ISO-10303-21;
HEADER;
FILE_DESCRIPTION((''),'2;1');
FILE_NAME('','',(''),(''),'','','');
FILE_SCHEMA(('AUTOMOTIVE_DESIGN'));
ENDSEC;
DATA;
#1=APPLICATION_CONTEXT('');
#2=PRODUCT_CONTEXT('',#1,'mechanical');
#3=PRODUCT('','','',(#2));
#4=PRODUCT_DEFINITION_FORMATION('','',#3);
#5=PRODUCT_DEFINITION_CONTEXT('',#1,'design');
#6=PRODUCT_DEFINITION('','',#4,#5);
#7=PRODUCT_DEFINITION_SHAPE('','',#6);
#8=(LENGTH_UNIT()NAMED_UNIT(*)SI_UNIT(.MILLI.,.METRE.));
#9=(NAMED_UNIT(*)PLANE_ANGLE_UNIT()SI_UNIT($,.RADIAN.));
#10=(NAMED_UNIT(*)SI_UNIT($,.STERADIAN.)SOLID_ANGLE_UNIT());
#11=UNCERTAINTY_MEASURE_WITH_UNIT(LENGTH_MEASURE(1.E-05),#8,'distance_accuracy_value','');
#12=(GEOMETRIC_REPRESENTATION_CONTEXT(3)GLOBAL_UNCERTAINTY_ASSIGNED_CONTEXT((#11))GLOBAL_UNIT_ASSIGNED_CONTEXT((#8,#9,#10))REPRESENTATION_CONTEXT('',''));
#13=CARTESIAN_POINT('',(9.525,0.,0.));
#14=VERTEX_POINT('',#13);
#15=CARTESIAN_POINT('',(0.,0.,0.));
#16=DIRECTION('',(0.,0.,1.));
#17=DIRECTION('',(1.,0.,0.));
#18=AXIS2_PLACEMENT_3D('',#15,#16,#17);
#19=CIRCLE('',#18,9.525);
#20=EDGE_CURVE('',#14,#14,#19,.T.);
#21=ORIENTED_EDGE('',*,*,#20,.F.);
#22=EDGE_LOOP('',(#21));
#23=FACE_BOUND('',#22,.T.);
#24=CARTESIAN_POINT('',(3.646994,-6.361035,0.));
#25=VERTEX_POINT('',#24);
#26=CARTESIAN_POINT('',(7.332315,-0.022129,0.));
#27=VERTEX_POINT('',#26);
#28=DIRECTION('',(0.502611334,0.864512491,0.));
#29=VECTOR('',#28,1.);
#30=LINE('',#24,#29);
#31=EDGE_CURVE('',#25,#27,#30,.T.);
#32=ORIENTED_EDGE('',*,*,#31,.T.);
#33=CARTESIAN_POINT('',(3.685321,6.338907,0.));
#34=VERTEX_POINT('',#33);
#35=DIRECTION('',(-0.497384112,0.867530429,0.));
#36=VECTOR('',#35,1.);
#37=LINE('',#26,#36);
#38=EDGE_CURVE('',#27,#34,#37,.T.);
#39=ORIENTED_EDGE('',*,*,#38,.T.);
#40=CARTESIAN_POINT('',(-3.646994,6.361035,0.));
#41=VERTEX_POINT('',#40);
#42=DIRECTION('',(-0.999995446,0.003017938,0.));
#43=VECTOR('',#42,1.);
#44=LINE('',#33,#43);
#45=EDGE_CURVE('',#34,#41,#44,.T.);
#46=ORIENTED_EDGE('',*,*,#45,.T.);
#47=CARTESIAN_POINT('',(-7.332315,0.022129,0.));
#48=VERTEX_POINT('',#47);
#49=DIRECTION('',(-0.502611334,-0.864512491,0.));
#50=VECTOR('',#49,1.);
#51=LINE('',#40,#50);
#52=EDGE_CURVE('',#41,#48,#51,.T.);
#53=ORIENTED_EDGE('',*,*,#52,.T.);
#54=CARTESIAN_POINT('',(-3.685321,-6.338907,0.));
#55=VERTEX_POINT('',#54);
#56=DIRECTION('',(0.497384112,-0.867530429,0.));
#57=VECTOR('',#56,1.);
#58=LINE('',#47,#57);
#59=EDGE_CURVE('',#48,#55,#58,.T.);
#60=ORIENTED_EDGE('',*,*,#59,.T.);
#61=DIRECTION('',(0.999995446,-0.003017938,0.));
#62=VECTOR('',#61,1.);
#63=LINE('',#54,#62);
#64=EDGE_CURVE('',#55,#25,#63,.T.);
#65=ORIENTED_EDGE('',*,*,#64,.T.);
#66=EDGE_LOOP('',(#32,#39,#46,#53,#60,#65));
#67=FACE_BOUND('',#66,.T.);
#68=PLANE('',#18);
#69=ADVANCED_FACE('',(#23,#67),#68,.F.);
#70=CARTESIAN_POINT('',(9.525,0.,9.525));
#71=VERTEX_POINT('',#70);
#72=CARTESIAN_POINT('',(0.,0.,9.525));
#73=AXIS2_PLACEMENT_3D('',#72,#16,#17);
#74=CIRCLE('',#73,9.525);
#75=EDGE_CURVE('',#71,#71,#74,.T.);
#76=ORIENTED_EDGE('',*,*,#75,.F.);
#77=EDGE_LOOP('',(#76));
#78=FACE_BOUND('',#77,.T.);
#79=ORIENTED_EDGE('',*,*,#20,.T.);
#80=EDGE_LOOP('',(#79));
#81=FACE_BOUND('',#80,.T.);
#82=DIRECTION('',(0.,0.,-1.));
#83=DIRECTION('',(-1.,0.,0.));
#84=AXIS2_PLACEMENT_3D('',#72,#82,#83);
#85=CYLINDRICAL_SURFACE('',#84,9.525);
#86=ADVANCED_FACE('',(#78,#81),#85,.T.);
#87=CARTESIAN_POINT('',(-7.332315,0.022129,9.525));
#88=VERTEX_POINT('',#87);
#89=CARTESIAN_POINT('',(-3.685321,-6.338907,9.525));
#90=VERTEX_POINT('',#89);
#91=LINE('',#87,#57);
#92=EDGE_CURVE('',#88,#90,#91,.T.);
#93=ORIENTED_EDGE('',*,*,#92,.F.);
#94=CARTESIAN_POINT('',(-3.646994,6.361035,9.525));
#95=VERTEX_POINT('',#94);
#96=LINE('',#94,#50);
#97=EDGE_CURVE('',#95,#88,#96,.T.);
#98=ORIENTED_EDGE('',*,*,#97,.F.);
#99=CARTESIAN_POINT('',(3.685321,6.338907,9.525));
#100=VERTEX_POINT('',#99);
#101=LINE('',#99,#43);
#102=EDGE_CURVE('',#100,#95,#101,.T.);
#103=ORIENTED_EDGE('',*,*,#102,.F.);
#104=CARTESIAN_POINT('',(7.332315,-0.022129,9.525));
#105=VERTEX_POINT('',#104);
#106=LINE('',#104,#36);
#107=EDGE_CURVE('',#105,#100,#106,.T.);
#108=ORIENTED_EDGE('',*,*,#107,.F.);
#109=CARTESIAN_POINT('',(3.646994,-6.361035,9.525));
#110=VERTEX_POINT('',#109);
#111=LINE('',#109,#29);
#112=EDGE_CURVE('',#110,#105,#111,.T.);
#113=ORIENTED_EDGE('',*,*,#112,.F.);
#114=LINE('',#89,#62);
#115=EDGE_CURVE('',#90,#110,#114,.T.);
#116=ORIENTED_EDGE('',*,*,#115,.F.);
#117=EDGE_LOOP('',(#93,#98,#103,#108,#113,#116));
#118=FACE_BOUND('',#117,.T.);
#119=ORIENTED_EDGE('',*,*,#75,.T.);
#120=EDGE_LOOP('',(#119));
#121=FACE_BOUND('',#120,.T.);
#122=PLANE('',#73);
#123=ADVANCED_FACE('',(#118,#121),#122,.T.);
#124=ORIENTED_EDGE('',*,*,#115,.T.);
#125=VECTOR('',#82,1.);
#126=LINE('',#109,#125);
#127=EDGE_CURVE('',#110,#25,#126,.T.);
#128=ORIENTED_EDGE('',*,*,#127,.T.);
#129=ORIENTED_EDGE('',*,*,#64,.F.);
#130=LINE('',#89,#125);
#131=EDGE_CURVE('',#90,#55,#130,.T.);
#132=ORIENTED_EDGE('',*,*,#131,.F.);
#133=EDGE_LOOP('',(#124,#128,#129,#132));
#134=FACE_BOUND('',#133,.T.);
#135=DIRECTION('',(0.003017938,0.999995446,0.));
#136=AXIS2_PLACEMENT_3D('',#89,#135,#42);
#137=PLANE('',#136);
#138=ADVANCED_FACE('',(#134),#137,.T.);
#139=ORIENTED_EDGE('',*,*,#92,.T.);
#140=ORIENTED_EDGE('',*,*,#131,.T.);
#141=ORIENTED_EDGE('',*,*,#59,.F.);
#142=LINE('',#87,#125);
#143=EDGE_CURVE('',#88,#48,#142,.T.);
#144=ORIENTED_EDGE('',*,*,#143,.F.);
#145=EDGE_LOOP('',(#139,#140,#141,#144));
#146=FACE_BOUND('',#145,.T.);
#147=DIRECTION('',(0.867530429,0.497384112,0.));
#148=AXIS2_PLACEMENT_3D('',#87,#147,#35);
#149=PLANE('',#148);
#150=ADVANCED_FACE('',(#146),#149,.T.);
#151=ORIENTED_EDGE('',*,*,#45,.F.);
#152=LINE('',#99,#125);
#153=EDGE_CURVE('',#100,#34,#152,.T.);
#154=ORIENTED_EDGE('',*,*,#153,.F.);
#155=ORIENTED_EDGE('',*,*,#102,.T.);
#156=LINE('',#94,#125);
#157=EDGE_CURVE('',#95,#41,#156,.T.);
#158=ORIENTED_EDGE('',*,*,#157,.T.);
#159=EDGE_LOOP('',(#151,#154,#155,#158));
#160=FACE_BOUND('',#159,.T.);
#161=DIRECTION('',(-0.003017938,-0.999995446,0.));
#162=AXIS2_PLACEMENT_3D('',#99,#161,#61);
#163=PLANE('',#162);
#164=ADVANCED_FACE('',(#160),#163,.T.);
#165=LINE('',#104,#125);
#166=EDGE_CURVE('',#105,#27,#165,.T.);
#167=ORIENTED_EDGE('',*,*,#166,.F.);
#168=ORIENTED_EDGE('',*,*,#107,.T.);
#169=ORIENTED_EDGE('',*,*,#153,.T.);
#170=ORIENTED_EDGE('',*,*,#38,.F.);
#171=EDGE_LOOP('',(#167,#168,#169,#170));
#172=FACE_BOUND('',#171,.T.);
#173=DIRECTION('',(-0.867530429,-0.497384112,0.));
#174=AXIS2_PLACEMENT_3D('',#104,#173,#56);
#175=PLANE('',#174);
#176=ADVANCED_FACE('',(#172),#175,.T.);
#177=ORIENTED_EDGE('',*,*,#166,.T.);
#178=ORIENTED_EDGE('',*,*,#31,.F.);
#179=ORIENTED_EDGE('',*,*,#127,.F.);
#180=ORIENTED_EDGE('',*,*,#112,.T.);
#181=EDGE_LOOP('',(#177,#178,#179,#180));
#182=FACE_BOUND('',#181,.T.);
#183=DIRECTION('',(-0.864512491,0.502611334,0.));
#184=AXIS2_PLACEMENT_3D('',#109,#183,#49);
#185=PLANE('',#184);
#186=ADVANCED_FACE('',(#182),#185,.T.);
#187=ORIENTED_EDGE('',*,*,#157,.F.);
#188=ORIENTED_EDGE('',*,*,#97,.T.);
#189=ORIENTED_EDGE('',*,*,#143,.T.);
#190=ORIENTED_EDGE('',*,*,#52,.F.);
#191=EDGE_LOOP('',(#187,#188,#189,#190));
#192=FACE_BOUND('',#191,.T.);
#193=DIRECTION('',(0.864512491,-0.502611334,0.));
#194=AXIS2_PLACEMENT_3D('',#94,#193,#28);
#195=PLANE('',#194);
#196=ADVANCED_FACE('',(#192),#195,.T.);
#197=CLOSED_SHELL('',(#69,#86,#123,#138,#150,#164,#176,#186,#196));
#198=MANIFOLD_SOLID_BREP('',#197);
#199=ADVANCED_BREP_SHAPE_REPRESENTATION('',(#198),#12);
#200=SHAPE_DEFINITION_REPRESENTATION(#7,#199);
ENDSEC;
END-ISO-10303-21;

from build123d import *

# Parameters (mm, degrees)
SKETCH1_R           = 9.525
BOSS_EXTRUDE1_DEPTH = 9.525


with BuildPart() as part:
    # Sketch1 → Boss-Extrude1 (new body)
    with BuildSketch(Plane.XY):
        Circle(SKETCH1_R)
        Polygon((3.64699361, -6.361035367), (7.332315027, -0.022128569), (3.685321417, 6.338906797), (-3.64699361, 6.361035367), (-7.332315027, 0.022128569), (-3.685321417, -6.338906797), align=None, mode=Mode.SUBTRACT)
    extrude(amount=BOSS_EXTRUDE1_DEPTH)


solid = part.part
